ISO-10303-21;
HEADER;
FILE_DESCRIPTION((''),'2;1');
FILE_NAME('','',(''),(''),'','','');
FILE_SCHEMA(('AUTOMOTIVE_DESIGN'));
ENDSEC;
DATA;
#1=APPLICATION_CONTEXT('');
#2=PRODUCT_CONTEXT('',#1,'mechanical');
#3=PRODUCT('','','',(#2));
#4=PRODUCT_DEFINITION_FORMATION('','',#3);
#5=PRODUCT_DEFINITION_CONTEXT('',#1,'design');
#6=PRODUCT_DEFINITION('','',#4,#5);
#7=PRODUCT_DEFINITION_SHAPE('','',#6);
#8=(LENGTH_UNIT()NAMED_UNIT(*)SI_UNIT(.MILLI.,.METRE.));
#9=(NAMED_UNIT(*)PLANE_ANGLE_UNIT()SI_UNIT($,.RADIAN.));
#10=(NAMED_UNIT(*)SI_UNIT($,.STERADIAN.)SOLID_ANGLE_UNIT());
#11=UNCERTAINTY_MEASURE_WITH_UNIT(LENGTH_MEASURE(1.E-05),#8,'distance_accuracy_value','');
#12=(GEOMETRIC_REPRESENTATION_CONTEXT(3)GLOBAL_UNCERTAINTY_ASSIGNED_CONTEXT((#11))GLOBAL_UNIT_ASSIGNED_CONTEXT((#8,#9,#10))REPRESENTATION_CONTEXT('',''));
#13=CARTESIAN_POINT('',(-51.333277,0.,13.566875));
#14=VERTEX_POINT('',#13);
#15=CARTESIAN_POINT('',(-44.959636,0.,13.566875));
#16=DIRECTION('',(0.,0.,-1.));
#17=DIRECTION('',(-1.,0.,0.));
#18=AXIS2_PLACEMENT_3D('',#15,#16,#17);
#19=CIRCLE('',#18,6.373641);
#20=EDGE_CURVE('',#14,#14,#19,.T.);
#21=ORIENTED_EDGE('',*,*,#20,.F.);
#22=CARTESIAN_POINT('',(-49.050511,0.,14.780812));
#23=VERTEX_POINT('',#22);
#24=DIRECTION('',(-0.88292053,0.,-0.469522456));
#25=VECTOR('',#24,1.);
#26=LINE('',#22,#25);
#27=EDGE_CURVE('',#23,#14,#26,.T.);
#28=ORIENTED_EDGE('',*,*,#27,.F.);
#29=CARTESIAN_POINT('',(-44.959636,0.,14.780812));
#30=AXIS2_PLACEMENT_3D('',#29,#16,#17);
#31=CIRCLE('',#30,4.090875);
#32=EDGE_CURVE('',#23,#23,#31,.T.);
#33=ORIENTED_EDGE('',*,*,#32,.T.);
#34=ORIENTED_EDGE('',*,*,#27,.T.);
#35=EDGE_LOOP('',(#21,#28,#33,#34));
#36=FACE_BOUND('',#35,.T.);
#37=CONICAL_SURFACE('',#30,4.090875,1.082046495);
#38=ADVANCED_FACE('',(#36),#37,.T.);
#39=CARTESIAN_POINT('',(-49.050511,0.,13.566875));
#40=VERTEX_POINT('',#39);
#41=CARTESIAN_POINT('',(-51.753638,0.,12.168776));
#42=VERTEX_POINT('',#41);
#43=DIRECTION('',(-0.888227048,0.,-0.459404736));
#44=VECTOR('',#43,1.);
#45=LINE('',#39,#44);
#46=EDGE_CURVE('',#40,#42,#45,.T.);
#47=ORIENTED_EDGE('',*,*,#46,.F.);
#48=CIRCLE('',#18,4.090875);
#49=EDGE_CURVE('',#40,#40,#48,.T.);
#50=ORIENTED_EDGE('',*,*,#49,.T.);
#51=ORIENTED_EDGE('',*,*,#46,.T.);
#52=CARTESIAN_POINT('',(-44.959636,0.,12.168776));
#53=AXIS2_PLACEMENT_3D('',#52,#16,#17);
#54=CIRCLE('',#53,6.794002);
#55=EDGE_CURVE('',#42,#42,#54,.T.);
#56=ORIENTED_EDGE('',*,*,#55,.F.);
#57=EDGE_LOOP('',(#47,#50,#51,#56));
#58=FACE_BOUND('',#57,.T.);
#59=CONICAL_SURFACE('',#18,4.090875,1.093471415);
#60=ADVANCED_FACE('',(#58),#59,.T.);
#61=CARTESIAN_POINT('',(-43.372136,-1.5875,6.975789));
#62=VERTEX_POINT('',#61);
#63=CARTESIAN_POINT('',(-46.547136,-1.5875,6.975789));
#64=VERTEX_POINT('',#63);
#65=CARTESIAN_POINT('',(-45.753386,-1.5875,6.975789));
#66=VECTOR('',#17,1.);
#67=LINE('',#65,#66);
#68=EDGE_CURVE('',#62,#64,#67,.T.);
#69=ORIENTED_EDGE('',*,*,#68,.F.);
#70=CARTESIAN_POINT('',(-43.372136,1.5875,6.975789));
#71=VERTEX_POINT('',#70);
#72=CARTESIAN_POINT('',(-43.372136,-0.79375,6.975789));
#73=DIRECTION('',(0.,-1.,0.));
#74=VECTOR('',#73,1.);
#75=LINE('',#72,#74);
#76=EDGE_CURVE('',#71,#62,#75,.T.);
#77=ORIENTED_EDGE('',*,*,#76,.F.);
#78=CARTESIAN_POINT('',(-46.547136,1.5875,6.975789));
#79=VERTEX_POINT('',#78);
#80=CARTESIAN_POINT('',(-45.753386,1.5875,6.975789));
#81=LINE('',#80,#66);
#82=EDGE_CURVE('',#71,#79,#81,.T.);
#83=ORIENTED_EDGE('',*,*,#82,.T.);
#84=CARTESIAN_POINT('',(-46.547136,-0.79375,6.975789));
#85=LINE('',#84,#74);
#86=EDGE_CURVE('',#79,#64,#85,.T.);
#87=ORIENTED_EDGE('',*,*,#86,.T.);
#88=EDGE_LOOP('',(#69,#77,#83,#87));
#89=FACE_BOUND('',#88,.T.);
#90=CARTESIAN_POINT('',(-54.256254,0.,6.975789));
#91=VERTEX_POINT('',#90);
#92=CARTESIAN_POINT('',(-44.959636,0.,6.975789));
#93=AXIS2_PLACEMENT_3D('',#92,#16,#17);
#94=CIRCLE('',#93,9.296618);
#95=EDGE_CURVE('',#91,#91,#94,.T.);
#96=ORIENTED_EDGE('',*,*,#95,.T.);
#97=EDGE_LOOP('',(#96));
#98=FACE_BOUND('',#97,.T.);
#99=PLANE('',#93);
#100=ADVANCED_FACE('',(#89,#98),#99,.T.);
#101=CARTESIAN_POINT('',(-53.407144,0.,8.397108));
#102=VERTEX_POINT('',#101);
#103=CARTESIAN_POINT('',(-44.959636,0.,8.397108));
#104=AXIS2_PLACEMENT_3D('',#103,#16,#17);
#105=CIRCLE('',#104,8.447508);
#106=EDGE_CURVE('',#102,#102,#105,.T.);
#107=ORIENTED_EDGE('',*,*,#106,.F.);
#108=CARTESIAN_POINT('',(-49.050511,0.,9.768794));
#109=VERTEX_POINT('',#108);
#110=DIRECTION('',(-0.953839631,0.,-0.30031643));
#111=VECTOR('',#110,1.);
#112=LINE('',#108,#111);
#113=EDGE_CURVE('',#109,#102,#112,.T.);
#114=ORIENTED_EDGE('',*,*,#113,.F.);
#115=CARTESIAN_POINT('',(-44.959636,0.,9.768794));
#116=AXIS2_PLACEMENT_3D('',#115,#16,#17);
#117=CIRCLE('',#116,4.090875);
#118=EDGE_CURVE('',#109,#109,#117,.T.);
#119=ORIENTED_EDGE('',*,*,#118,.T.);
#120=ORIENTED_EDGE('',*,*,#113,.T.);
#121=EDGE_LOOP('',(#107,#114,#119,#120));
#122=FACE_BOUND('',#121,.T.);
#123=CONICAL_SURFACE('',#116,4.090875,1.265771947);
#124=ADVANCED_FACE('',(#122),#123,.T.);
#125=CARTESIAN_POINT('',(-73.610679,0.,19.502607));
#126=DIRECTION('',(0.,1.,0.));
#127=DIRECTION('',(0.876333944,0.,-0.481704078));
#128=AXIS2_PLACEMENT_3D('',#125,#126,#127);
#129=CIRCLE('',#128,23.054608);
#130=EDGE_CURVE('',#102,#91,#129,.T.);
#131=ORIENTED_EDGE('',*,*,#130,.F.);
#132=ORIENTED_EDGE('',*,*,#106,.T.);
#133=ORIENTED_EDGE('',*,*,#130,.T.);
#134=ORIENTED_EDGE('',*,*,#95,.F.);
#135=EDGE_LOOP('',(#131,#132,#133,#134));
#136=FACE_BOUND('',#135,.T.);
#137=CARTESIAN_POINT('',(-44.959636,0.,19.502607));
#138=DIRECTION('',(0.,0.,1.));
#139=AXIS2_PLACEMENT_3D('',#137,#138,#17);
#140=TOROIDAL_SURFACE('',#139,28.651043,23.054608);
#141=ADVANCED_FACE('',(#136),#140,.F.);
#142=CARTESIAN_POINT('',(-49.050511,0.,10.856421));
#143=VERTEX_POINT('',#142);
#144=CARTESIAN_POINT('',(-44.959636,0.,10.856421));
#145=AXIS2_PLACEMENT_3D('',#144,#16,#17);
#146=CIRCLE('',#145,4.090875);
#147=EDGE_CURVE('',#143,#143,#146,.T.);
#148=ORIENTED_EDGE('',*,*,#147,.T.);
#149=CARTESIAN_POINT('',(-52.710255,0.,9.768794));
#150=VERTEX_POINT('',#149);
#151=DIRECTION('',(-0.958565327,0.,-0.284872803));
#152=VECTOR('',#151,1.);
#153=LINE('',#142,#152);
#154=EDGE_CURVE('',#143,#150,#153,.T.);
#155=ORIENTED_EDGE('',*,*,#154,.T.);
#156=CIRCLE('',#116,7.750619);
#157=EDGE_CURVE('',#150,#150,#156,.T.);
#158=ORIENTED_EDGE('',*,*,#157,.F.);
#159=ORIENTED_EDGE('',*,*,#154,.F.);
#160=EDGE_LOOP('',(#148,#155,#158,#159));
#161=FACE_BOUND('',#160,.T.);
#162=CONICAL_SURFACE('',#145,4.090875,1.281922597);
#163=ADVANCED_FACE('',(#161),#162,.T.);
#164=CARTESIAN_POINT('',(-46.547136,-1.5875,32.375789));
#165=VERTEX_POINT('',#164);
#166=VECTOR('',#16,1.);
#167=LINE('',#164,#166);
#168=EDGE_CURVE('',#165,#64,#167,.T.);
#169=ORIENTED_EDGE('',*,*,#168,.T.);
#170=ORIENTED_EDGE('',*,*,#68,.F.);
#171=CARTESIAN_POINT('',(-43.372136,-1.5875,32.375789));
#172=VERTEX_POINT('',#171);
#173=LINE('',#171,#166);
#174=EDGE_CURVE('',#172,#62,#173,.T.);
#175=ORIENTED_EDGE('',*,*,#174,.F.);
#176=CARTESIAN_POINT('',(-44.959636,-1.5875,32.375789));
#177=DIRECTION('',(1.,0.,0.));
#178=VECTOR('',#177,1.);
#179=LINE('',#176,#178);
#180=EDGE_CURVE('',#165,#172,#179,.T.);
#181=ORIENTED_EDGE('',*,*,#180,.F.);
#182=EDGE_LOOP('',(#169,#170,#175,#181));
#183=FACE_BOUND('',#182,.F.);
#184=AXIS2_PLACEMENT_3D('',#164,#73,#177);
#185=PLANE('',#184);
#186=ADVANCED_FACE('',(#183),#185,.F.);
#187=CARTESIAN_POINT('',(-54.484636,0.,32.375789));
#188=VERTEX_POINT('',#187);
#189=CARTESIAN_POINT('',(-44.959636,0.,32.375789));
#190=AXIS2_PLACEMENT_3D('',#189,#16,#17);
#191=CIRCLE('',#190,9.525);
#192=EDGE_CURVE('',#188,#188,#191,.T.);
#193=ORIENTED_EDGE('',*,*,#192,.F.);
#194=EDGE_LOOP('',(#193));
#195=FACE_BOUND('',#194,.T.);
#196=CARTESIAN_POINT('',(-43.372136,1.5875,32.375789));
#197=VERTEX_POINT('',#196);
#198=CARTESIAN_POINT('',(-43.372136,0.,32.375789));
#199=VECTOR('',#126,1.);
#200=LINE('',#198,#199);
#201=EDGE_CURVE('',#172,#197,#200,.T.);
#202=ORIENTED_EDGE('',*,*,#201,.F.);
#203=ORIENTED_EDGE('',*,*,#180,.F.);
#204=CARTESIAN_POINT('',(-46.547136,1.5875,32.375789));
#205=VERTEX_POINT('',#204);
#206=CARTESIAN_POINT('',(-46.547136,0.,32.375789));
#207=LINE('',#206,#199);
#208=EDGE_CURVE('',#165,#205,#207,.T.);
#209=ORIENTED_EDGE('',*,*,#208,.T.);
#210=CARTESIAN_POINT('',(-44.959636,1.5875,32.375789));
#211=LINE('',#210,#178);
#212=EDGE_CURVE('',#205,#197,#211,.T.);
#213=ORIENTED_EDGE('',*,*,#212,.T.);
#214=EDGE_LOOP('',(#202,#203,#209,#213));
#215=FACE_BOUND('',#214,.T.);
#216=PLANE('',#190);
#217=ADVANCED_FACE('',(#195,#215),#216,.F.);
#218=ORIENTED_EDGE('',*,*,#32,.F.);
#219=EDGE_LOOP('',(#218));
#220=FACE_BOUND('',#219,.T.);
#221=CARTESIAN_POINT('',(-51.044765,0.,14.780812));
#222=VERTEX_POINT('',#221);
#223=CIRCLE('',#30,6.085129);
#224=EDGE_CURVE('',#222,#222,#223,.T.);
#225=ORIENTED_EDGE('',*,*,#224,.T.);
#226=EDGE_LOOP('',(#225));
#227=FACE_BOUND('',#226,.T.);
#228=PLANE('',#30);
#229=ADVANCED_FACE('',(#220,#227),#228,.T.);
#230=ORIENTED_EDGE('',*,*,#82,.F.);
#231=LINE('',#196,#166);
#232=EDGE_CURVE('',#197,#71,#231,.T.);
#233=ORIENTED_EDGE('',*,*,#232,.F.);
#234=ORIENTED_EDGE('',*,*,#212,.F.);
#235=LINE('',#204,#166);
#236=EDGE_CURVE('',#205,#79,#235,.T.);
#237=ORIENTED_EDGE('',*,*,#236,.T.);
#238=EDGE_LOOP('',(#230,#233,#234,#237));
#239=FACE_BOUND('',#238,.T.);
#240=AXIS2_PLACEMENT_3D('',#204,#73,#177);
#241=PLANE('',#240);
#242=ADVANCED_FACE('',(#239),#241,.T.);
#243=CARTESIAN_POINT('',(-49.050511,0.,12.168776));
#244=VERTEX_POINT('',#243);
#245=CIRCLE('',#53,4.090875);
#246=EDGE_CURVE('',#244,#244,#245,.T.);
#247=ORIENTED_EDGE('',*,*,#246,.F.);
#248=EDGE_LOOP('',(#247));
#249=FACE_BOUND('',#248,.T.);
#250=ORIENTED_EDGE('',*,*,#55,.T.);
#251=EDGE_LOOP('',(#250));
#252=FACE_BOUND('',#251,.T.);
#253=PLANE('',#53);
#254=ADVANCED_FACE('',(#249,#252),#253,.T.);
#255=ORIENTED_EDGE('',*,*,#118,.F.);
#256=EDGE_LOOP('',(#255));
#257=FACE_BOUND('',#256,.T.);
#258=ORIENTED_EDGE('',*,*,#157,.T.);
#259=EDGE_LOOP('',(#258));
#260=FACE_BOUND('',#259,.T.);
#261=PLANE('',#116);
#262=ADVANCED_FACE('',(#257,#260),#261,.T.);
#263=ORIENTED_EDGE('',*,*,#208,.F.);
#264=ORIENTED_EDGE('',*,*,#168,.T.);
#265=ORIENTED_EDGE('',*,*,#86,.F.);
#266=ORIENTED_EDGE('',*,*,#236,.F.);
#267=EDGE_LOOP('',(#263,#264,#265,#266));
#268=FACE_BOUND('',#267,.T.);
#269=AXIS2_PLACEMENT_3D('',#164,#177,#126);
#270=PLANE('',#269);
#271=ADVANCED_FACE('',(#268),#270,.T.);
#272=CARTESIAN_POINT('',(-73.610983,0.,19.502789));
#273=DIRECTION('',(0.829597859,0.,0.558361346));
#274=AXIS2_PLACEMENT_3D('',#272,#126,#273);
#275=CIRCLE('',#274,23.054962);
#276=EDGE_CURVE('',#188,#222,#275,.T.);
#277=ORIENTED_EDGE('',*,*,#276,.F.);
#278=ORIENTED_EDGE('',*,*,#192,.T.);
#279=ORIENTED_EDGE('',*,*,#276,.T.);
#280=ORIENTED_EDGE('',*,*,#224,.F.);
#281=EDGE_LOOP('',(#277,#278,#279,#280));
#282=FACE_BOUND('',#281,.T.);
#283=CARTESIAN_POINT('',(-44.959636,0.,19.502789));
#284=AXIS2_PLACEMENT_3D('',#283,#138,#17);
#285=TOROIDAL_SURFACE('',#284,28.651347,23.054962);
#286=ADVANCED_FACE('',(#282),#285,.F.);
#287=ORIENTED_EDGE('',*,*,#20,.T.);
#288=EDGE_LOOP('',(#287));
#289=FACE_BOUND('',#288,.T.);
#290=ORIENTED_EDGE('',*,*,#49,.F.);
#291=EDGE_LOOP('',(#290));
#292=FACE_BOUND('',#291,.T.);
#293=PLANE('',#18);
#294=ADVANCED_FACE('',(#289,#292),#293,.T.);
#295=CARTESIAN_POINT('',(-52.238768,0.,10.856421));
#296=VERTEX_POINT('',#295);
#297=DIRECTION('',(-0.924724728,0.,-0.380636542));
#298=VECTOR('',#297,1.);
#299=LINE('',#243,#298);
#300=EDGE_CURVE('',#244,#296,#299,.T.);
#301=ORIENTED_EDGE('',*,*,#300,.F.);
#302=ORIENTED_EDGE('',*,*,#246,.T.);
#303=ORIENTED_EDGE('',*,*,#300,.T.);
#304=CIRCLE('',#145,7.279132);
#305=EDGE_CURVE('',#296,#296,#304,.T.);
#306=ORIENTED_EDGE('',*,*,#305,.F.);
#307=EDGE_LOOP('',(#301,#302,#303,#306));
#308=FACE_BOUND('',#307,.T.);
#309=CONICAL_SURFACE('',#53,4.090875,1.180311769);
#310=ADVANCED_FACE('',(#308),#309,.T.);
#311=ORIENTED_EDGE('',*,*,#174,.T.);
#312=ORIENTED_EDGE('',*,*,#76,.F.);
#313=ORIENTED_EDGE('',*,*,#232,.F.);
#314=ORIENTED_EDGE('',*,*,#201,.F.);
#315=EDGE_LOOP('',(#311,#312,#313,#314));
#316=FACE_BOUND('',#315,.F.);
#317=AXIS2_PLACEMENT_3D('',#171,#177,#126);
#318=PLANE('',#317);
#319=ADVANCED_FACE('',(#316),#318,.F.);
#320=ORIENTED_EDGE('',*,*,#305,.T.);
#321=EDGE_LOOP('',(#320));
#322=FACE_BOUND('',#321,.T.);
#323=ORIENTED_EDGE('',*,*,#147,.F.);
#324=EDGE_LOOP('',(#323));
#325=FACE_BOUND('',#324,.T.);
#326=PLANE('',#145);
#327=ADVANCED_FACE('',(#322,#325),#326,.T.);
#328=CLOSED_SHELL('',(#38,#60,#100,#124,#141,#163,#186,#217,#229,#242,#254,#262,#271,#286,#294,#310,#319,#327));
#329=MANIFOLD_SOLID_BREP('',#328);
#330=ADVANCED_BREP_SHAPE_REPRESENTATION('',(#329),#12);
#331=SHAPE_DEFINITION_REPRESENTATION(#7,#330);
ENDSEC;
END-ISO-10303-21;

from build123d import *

# Parameters (mm, degrees)
F2_W     = 3.175
F2_H     = 3.175
F3_DEPTH = 25.401


with BuildPart() as f1:
    # F0 (on Front) → F1 (revolve)
    with BuildSketch(Plane.XZ):
        with BuildLine():
            Line((-44.959636, 6.975789), (-44.959636, 32.375789))
            Line((-44.959636, 32.375789), (-54.484636, 32.375789))
            ThreePointArc((-54.484636, 32.375789), (-50.984377, 23.926359), (-51.044765, 14.780812))
            Line((-51.044765, 14.780812), (-49.050511, 14.780812))
            Line((-49.050511, 14.780812), (-51.333277, 13.566875))
            Line((-51.333277, 13.566875), (-49.050511, 13.566875))
            Line((-49.050511, 13.566875), (-51.753638, 12.168776))
            Line((-51.753638, 12.168776), (-49.050511, 12.168776))
            Line((-49.050511, 12.168776), (-52.238768, 10.856421))
            Line((-52.238768, 10.856421), (-49.050511, 10.856421))
            Line((-49.050511, 10.856421), (-52.710255, 9.768794))
            Line((-52.710255, 9.768794), (-49.050511, 9.768794))
            Line((-49.050511, 9.768794), (-53.407144, 8.397108))
            ThreePointArc((-53.407144, 8.397108), (-53.818936, 7.678824), (-54.256254, 6.975789))
            Line((-54.256254, 6.975789), (-44.959636, 6.975789))
        make_face()
    revolve(axis=Axis((-44.959636, 0, 19.675789), (0, 0, -1)))

    # F2 (on face) → F3 (cut, through all)
    with BuildSketch(Plane.XY.offset(32.375789)):
        with Locations((-44.959636, 0)):
            Rectangle(F2_W, F2_H)
    extrude(amount=-F3_DEPTH, mode=Mode.SUBTRACT)


solid = f1.part
